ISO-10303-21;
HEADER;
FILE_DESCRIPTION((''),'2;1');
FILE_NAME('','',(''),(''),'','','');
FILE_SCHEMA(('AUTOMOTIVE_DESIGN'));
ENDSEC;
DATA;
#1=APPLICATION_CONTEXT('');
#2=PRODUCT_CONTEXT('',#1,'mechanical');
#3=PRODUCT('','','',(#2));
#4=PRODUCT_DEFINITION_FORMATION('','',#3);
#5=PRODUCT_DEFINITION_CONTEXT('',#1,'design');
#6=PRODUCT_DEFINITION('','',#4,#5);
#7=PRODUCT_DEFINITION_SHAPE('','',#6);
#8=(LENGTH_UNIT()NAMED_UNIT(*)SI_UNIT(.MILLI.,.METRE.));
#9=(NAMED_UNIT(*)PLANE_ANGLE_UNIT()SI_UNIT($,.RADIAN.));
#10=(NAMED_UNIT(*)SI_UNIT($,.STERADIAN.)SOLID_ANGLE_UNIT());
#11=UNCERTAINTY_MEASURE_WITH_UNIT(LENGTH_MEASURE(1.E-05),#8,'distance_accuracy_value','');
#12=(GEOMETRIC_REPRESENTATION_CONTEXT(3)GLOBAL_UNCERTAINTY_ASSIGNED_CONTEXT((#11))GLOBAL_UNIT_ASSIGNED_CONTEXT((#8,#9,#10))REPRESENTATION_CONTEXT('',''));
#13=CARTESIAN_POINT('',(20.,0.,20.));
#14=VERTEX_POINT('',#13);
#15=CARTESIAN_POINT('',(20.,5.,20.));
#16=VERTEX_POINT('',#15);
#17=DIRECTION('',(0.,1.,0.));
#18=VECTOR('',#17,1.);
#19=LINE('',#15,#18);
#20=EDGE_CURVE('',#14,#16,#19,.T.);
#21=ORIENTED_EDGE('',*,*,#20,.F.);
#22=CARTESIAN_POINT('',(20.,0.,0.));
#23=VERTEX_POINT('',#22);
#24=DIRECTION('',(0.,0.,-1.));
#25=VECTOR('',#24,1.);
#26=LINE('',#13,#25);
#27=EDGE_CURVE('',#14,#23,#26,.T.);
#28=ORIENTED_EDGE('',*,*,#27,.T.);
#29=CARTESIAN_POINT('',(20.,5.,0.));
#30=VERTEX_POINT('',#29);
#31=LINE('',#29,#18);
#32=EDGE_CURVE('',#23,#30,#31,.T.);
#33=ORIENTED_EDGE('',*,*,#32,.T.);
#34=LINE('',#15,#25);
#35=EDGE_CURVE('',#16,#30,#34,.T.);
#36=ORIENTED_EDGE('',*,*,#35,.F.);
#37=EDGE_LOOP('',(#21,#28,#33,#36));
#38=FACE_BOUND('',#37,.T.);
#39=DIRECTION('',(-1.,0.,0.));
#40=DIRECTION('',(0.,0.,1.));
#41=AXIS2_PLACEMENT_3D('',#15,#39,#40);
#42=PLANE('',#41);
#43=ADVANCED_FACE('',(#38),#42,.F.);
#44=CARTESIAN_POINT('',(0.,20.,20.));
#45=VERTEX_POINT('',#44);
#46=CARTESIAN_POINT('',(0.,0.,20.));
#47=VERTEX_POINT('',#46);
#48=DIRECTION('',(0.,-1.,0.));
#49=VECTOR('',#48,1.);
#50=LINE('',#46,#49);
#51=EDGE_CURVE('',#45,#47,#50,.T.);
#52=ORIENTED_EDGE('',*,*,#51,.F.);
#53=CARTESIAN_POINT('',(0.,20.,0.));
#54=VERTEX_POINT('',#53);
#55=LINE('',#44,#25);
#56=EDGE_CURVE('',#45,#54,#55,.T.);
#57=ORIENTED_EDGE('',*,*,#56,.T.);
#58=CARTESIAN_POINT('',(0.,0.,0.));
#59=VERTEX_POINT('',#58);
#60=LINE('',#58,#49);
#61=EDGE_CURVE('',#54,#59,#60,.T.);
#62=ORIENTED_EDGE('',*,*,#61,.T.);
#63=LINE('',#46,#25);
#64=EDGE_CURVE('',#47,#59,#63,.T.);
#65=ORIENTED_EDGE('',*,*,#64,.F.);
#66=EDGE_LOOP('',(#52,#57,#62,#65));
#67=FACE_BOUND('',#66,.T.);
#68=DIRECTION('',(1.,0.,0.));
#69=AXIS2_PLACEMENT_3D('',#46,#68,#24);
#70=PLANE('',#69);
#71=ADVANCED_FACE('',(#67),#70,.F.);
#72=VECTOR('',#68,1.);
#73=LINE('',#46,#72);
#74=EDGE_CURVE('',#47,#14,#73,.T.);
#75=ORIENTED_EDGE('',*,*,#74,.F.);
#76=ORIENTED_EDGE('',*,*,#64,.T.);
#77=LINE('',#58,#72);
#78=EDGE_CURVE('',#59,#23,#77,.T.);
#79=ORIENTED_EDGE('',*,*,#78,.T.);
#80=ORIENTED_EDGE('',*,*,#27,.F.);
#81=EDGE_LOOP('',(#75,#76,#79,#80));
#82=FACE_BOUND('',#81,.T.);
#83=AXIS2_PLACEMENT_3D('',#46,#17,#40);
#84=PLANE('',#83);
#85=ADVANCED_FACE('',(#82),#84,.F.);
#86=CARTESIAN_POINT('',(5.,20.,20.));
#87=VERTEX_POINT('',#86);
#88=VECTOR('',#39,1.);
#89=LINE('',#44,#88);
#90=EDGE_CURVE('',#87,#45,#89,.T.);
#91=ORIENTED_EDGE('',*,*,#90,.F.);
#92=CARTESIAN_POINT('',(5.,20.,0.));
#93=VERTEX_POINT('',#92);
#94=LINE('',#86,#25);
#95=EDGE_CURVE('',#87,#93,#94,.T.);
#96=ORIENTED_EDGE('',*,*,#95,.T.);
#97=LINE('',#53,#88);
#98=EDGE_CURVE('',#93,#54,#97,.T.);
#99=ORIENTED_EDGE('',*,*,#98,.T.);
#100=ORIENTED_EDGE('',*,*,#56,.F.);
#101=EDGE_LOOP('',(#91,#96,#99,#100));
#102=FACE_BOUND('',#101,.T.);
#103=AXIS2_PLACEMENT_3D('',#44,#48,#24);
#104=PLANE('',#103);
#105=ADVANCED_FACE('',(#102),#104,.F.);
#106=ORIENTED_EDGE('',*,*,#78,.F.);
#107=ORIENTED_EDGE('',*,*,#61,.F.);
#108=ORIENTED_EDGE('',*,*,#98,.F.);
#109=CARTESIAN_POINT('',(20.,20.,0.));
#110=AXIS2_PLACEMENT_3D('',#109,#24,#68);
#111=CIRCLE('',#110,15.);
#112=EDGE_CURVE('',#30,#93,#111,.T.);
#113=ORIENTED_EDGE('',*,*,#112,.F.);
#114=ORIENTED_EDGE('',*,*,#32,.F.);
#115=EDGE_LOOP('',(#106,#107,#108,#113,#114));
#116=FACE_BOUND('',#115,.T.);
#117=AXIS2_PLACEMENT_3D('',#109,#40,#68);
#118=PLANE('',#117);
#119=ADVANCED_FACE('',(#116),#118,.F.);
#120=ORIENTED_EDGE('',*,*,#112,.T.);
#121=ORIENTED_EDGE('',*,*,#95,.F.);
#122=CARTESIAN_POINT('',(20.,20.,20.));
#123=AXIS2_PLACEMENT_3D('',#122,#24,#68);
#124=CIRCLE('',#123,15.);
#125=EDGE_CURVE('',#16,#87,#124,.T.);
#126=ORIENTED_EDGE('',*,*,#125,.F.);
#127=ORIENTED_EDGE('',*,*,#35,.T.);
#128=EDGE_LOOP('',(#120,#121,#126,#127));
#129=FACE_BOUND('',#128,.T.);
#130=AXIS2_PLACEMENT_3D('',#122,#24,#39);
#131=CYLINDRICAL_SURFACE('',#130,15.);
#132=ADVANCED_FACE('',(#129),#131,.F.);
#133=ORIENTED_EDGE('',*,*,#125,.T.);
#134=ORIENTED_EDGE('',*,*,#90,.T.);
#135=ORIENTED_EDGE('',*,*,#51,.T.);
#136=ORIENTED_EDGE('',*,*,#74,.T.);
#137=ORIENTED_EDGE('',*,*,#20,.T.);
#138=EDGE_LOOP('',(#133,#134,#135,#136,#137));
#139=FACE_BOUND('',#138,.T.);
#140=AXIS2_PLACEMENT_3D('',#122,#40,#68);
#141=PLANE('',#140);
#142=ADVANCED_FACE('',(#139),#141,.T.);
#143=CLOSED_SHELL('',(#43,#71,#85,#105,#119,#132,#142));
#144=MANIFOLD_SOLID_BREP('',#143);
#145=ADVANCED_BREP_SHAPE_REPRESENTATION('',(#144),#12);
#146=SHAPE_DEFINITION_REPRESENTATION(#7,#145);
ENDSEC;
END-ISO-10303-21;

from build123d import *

# Parameters (mm, degrees)
BOSS_EXTRUDE1_DEPTH = 20


with BuildPart() as part:
    # Sketch1 → Boss-Extrude1 (new body)
    with BuildSketch(Plane.XY):
        with BuildLine():
            Line((20, 5), (20, 0))
            Line((20, 0), (0, 0))
            Line((0, 0), (0, 20))
            Line((0, 20), (5, 20))
            ThreePointArc((5, 20), (9.393398282, 9.393398282), (20, 5))
        make_face()
    extrude(amount=BOSS_EXTRUDE1_DEPTH)


solid = part.part
